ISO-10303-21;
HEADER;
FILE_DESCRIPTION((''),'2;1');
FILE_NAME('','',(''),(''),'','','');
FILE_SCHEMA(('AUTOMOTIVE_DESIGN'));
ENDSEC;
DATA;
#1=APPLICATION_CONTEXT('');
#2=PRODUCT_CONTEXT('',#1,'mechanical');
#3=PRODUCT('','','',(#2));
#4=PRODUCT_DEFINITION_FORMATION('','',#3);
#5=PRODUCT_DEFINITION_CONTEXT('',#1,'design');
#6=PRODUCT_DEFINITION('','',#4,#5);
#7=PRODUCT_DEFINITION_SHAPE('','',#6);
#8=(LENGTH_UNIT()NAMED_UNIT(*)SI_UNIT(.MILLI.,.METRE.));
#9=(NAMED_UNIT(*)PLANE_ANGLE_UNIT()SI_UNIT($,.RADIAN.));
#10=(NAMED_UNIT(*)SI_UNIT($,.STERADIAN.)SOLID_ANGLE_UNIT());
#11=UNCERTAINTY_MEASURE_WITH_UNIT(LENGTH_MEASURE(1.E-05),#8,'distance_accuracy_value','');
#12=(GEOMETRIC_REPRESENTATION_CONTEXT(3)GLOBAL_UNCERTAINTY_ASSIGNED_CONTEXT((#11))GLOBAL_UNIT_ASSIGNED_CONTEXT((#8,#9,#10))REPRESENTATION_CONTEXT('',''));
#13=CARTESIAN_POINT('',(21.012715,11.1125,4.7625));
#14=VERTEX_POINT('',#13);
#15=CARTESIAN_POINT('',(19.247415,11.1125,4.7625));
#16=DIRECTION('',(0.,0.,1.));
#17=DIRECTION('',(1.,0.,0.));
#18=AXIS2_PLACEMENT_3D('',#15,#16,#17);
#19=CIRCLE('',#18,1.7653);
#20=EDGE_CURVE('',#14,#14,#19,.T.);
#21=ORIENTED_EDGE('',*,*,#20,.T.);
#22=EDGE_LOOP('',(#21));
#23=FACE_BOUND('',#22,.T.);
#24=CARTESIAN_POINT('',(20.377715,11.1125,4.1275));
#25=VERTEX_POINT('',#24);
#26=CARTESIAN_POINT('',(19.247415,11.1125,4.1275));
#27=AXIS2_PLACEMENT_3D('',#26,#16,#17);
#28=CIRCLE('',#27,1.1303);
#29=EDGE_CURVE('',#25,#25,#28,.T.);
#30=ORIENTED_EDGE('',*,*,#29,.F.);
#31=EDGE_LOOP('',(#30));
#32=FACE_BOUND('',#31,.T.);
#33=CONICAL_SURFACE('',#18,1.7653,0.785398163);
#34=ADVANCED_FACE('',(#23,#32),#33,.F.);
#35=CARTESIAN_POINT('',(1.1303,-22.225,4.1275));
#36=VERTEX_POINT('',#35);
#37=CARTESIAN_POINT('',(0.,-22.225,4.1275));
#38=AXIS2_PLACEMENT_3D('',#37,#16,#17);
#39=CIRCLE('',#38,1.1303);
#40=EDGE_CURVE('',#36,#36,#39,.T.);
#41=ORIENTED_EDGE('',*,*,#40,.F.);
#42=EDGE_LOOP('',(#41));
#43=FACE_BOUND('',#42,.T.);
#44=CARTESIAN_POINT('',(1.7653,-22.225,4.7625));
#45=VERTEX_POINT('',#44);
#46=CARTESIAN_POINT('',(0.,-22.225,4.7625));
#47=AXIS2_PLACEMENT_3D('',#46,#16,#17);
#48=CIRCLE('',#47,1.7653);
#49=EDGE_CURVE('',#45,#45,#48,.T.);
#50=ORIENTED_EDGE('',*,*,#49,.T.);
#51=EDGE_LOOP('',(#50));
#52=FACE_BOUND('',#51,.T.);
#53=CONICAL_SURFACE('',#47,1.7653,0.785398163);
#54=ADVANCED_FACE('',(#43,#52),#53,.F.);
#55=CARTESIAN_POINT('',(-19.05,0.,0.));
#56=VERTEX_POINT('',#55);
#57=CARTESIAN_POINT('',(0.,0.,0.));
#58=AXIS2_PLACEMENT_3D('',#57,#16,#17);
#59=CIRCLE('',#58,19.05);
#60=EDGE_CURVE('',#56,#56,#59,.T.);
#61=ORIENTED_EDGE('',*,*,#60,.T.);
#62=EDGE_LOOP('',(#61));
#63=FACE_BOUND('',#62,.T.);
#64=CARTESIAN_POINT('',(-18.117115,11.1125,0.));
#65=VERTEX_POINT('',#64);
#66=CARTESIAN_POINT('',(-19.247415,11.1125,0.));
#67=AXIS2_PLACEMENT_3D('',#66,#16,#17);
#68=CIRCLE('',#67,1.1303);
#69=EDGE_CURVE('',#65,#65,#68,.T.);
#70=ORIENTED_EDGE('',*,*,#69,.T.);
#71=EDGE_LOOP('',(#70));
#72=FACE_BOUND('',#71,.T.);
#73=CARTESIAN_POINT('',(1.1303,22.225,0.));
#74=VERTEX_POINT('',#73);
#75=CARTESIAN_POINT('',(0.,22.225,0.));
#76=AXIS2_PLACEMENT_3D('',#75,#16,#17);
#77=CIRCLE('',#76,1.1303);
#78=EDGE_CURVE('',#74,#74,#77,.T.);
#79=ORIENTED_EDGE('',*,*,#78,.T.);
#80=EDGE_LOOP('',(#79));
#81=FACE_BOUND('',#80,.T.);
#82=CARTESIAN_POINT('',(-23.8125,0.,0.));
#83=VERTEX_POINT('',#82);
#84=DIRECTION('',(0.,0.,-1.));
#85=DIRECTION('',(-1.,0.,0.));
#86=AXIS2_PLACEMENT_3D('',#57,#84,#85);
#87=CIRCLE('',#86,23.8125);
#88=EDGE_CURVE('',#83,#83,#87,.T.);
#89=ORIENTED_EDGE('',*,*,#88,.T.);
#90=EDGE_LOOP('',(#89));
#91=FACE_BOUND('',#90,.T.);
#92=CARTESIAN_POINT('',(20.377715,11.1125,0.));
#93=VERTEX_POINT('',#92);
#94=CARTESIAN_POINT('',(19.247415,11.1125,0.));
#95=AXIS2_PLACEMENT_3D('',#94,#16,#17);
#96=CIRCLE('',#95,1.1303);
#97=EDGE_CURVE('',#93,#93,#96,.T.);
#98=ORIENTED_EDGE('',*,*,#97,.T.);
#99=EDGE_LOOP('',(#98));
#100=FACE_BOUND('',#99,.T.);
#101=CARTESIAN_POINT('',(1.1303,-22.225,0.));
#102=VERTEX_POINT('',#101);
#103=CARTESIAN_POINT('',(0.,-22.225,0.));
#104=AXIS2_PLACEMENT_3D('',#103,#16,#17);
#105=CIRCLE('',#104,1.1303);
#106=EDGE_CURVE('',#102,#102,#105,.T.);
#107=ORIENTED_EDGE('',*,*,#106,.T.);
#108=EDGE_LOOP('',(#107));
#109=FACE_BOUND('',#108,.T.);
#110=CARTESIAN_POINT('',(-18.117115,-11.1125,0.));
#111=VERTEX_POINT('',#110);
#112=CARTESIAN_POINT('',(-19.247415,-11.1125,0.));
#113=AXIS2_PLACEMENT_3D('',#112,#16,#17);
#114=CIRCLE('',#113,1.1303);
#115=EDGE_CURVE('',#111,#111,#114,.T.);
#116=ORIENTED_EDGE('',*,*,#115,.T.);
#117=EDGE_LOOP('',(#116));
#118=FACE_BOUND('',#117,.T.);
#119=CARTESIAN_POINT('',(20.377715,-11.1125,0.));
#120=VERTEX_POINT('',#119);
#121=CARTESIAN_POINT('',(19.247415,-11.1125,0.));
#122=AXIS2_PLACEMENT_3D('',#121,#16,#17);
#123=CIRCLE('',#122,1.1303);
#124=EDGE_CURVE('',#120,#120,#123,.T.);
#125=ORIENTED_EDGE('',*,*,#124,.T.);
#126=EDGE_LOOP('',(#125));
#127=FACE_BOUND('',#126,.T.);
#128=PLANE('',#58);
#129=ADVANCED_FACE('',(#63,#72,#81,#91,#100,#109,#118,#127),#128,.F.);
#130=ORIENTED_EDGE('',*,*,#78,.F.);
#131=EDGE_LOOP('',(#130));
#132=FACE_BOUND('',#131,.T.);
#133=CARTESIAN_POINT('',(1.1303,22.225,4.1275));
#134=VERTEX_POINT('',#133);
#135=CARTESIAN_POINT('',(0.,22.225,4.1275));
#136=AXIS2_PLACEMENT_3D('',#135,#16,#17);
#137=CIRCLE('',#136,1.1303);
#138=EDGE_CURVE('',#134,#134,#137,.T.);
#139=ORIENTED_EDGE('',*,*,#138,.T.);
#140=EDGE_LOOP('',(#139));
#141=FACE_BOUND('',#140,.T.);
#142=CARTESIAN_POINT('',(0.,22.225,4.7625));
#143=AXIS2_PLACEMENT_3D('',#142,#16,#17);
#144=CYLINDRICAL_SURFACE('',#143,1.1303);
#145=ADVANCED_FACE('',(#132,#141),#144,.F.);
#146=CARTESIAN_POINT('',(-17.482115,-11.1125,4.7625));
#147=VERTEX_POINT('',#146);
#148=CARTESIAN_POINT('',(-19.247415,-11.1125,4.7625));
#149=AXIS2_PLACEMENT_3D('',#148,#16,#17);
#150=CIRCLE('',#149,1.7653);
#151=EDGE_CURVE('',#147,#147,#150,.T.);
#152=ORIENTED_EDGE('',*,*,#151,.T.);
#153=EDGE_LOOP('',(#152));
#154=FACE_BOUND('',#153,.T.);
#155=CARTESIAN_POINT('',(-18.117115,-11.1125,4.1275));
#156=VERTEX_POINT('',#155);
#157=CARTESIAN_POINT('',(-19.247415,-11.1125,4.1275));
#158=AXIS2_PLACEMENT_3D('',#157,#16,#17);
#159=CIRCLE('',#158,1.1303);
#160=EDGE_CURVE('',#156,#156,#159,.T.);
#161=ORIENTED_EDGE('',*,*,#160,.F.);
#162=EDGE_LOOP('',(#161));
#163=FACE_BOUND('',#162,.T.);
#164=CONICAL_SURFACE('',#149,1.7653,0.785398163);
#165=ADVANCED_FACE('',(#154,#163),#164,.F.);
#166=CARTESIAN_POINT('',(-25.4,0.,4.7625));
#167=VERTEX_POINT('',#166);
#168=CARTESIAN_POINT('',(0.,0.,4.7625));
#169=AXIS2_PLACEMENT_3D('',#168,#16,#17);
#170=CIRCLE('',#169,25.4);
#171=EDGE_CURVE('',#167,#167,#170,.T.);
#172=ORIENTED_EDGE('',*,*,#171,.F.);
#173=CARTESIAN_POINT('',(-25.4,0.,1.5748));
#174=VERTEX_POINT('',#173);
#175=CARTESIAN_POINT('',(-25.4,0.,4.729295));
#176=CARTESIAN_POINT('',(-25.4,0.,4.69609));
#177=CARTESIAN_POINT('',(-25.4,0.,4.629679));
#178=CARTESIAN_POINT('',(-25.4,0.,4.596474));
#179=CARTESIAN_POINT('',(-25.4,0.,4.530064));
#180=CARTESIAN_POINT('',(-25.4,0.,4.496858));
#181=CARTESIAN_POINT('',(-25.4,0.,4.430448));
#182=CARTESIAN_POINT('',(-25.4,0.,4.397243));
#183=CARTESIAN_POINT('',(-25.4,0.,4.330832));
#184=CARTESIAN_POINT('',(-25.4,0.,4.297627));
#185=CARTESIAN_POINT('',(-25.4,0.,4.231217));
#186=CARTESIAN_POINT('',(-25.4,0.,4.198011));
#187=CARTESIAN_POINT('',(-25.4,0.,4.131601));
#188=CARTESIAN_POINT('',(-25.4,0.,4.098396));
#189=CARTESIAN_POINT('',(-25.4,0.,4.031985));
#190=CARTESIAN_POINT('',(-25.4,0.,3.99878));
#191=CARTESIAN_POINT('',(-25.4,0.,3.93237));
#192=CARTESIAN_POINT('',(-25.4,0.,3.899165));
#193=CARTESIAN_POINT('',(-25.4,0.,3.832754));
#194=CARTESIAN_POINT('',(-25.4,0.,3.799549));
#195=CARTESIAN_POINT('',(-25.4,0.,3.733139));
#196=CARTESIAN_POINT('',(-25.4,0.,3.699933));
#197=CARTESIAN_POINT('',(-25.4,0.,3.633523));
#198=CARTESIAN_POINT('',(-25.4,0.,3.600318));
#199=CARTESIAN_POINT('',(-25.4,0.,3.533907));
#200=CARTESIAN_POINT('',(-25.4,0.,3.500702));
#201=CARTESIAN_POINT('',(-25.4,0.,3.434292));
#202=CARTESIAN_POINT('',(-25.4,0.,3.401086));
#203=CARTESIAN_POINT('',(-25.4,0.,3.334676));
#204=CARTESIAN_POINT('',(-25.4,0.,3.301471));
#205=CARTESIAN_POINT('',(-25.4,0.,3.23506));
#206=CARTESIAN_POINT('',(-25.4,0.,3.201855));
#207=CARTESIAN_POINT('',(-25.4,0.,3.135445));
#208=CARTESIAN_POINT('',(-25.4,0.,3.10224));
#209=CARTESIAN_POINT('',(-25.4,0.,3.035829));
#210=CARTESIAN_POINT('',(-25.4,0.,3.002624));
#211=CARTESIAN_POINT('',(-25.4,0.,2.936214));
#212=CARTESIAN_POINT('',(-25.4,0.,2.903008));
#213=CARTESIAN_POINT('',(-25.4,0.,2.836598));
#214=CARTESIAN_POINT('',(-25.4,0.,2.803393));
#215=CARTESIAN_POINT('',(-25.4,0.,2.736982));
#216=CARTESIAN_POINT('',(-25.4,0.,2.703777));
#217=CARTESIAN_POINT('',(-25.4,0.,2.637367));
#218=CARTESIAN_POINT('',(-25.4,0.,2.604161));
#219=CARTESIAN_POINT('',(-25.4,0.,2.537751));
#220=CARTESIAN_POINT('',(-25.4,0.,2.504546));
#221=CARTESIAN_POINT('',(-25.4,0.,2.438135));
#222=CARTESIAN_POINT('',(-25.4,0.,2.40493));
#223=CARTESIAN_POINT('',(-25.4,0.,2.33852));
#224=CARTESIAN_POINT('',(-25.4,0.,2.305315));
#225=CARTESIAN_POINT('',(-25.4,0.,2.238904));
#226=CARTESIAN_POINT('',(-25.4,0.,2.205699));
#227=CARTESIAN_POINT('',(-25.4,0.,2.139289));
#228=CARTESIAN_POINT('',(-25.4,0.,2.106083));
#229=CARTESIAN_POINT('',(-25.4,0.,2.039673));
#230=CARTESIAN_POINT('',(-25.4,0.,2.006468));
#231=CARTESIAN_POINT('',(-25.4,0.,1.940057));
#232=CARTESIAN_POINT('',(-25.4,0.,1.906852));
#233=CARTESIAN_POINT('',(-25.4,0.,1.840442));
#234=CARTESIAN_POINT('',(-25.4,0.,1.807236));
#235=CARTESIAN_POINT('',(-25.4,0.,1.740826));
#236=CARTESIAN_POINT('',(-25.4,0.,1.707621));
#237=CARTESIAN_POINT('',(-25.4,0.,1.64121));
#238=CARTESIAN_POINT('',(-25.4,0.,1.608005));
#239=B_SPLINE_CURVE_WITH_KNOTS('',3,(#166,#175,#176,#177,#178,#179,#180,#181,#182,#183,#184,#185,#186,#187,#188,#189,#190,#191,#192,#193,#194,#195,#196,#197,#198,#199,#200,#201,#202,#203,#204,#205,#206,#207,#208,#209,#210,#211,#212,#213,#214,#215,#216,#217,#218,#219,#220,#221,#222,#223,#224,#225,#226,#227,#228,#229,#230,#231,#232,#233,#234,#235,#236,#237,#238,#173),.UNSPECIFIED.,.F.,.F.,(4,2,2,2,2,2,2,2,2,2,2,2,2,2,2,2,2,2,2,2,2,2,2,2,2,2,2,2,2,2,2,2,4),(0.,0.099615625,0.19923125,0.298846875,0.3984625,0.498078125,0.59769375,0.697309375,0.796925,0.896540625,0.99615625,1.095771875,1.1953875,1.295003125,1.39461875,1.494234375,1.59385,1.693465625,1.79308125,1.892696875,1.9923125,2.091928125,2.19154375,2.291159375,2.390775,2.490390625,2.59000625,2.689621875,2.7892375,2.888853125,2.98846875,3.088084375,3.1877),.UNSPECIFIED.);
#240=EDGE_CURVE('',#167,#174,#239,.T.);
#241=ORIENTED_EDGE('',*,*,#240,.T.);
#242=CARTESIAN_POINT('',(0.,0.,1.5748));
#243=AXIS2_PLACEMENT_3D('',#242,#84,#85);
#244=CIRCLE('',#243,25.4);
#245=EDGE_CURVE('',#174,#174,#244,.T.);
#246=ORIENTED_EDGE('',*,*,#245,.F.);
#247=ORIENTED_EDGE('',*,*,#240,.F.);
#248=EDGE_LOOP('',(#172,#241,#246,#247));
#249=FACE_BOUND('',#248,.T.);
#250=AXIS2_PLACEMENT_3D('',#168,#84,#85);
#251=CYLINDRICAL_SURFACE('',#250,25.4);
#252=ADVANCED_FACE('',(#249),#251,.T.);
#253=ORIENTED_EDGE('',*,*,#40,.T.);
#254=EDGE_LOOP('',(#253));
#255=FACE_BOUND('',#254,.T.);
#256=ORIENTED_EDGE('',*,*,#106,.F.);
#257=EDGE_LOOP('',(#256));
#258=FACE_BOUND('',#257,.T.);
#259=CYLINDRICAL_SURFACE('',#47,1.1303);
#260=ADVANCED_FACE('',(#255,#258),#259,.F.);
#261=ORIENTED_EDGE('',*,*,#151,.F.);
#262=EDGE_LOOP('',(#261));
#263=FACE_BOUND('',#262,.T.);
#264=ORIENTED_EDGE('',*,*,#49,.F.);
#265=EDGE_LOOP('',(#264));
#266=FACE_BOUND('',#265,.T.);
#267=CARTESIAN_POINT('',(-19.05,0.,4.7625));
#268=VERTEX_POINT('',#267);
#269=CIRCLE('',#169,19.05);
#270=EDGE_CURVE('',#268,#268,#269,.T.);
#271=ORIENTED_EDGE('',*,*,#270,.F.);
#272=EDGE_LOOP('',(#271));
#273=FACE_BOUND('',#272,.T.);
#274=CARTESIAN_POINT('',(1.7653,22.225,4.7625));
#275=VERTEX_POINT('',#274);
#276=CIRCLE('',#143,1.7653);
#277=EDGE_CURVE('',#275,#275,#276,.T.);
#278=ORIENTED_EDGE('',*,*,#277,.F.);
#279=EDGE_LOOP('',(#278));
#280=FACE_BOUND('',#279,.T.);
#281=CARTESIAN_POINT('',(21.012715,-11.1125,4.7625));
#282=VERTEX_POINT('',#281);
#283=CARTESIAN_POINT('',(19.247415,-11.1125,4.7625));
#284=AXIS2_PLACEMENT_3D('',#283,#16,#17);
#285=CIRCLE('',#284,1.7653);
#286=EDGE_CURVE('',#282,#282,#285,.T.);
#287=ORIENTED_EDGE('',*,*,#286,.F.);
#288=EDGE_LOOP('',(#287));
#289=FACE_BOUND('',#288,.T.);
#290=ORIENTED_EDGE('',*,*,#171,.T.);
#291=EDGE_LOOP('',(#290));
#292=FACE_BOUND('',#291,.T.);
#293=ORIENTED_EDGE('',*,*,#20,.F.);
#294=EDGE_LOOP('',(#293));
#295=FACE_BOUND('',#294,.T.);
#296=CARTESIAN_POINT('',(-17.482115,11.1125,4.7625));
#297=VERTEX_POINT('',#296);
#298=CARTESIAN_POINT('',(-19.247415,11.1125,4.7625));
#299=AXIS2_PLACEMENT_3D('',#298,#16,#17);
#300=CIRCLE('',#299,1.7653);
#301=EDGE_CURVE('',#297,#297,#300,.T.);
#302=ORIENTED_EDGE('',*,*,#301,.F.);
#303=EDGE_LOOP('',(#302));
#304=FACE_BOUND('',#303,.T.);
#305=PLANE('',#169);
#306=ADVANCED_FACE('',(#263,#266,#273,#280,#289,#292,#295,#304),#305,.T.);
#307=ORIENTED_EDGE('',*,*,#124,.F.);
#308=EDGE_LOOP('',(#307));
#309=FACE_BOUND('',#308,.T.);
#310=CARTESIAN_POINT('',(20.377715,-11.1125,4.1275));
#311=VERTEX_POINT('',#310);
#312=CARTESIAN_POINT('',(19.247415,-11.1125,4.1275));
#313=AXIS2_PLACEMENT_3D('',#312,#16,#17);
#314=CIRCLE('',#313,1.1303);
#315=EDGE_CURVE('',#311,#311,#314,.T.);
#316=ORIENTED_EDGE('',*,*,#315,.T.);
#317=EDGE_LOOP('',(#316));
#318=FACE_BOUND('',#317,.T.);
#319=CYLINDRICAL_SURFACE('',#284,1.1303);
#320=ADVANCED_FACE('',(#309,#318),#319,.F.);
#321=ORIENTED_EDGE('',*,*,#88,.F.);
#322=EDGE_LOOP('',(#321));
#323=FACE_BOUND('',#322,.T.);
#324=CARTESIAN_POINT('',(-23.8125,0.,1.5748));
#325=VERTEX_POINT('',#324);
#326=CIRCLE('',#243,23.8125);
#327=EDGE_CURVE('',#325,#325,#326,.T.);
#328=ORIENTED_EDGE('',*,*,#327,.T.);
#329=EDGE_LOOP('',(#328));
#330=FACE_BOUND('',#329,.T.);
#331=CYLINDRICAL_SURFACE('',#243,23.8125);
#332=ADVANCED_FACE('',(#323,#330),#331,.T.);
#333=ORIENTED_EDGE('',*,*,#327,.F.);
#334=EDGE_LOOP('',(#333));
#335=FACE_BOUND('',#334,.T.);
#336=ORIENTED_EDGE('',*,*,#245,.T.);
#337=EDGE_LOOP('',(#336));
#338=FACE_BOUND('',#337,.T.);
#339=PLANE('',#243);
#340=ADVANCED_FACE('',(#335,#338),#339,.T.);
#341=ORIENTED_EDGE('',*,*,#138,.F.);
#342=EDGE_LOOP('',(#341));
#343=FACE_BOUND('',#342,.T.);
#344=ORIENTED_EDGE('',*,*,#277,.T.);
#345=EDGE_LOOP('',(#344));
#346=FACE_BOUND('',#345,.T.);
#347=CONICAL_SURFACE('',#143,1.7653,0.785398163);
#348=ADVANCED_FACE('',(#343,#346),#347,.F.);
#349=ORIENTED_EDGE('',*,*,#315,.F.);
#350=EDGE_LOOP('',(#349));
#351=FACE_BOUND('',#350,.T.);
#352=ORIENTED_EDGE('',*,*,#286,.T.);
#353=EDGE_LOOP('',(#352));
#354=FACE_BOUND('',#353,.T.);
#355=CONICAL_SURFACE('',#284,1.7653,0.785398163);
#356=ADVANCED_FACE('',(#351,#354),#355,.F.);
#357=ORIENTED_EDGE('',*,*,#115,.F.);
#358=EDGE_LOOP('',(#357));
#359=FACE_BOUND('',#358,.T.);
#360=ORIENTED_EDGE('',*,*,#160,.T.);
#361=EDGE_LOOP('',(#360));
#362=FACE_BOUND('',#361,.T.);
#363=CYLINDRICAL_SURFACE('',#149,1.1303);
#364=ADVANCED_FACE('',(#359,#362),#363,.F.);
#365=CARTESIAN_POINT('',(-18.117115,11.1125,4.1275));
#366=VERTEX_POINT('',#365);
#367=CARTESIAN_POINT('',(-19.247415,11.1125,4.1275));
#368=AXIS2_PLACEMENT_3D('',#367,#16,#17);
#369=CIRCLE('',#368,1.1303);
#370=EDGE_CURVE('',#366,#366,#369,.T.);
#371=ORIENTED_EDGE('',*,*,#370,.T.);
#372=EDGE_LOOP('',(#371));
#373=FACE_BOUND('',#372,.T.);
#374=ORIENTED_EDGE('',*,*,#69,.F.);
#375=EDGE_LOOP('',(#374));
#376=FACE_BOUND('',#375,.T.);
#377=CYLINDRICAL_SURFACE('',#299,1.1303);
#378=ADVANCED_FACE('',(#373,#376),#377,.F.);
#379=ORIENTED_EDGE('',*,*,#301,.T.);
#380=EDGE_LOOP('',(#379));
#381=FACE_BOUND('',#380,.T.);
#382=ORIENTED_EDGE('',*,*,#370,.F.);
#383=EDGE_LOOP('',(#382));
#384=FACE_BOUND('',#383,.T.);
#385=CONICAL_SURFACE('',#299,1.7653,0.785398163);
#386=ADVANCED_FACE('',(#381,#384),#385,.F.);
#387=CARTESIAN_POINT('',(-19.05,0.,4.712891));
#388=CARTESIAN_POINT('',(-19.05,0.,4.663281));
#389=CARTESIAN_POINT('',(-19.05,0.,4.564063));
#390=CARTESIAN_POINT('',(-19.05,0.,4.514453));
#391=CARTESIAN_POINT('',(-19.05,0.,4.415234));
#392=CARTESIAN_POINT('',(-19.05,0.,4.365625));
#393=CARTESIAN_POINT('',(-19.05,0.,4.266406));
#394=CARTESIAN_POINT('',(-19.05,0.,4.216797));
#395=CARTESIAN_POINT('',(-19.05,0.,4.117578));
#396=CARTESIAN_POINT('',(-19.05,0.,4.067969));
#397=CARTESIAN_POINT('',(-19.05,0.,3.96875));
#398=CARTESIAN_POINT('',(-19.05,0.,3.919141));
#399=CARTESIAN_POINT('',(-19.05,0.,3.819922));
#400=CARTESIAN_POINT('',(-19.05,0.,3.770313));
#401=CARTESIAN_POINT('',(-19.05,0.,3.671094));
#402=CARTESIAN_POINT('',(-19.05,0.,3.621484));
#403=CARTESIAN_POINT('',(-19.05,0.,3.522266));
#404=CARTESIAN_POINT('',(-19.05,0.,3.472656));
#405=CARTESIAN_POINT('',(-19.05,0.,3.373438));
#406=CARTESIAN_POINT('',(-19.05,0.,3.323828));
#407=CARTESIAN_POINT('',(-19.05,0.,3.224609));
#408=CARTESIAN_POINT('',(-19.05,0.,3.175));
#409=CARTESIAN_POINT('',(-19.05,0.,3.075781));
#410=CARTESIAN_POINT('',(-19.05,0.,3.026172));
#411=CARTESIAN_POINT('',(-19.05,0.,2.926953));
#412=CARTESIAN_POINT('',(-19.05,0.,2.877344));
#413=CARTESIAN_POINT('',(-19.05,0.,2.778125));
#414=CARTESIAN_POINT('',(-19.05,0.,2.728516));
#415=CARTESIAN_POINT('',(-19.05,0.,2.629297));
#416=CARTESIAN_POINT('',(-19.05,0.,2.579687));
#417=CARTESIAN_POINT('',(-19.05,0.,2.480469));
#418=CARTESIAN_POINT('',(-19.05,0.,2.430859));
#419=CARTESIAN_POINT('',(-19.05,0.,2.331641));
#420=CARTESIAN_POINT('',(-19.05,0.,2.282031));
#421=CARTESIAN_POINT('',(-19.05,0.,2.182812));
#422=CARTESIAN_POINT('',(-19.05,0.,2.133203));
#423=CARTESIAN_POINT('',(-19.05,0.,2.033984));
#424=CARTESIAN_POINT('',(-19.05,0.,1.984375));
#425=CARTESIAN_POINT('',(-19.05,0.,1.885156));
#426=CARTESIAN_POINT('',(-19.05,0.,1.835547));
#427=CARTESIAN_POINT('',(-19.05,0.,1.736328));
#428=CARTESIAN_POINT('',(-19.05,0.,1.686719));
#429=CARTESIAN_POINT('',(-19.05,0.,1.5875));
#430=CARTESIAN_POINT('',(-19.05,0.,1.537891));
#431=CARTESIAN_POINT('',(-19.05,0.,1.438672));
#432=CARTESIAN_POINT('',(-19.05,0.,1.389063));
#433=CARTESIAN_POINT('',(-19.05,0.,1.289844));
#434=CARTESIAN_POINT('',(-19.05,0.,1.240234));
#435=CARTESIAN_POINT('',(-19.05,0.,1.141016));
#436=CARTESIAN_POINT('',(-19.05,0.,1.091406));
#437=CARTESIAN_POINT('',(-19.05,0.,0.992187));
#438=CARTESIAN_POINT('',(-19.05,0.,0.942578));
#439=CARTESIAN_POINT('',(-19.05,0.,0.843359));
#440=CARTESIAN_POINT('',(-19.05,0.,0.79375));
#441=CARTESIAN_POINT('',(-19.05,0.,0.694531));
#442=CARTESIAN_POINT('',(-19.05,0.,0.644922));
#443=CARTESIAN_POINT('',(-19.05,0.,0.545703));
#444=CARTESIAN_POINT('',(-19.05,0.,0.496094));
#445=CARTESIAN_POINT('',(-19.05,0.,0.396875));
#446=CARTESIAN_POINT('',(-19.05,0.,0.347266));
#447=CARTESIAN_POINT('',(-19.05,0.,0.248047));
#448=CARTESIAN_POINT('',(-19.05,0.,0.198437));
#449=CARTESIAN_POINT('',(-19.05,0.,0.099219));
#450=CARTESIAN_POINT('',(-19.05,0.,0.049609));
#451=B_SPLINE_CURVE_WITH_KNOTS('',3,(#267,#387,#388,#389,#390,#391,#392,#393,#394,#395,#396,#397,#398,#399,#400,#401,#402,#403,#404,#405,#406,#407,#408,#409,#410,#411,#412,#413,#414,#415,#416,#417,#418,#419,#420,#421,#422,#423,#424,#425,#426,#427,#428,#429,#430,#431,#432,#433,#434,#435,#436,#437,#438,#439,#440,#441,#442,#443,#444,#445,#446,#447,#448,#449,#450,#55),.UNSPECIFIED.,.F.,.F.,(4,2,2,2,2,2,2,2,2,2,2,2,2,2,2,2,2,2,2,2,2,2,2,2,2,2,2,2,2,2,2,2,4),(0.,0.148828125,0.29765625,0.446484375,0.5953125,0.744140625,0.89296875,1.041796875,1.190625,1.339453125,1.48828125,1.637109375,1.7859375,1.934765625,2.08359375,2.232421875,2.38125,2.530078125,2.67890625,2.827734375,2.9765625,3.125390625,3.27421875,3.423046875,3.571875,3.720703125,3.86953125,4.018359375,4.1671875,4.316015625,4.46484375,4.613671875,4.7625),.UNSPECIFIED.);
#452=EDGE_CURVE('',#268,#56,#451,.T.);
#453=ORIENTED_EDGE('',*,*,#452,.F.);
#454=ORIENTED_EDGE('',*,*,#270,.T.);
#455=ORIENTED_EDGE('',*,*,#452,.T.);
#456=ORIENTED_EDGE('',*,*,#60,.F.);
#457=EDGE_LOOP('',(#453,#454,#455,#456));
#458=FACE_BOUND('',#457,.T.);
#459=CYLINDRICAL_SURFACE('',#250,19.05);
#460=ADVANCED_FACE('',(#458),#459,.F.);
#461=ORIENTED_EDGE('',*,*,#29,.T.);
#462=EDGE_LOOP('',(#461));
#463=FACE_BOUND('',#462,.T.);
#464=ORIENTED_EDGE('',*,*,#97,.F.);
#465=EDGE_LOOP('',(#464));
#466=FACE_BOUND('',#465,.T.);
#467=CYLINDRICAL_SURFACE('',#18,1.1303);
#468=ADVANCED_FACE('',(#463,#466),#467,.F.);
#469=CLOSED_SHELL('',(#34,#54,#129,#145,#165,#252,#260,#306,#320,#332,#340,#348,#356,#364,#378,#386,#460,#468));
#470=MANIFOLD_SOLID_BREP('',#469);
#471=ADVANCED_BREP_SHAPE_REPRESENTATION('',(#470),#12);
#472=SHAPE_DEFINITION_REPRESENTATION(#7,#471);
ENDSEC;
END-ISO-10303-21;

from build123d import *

# Parameters (mm, degrees)
SKETCH1_R                       = 25.4
SKETCH1_R_2                     = 19.05
BOSS_EXTRUDE1_DEPTH             = 4.7625
F_4_40_TAPPED_HOLE1_D           = 2.2606
F_4_40_TAPPED_HOLE1_DEPTH       = 7.62
F_4_40_TAPPED_HOLE1_CSINK_D     = 3.5306
F_4_40_TAPPED_HOLE1_CSINK_ANGLE = 90
F_4_40_TAPPED_HOLE1_TIP         = 0.679152758
SKETCH5_OUTSIDE_W               = 67.2
SKETCH5_OUTSIDE_H               = 67.2
SKETCH5_OUTSIDE_R               = 23.8125
CUT_EXTRUDE1_DEPTH              = 1.5748


with BuildPart() as part:
    # Sketch1 → Boss-Extrude1 (new body)
    with BuildSketch(Plane.XY):
        with Locations(Location((0, 0, 0), (0, 0, 180))):
            Circle(SKETCH1_R)
        with Locations(Location((0, 0, 0), (0, 0, 180))):
            Circle(SKETCH1_R_2, mode=Mode.SUBTRACT)
    extrude(amount=BOSS_EXTRUDE1_DEPTH)

    # #4-40 Tapped Hole1
    with Locations(Plane.XY.offset(4.7625)):
        with Locations((0, 22.225), (-19.247414599, 11.1125), (19.247414599, 11.1125), (19.247414599, -11.1125), (0, -22.225), (-19.247414599, -11.1125)):
            CounterSinkHole(F_4_40_TAPPED_HOLE1_D / 2, F_4_40_TAPPED_HOLE1_CSINK_D / 2, depth=F_4_40_TAPPED_HOLE1_DEPTH, counter_sink_angle=F_4_40_TAPPED_HOLE1_CSINK_ANGLE)
            with Locations((0, 0, -(F_4_40_TAPPED_HOLE1_DEPTH + F_4_40_TAPPED_HOLE1_TIP / 2))):  # 118° drill point
                Cone(0, F_4_40_TAPPED_HOLE1_D / 2, F_4_40_TAPPED_HOLE1_TIP, mode=Mode.SUBTRACT)

    # Sketch5 outside → Cut-Extrude1 (cut)
    with BuildSketch(Plane(origin=(0, 0, 0), x_dir=(-1, 0, 0), z_dir=(0, 0, -1))):
        Rectangle(SKETCH5_OUTSIDE_W, SKETCH5_OUTSIDE_H)
        Circle(SKETCH5_OUTSIDE_R, mode=Mode.SUBTRACT)
    extrude(amount=-CUT_EXTRUDE1_DEPTH, mode=Mode.SUBTRACT)


solid = part.part
